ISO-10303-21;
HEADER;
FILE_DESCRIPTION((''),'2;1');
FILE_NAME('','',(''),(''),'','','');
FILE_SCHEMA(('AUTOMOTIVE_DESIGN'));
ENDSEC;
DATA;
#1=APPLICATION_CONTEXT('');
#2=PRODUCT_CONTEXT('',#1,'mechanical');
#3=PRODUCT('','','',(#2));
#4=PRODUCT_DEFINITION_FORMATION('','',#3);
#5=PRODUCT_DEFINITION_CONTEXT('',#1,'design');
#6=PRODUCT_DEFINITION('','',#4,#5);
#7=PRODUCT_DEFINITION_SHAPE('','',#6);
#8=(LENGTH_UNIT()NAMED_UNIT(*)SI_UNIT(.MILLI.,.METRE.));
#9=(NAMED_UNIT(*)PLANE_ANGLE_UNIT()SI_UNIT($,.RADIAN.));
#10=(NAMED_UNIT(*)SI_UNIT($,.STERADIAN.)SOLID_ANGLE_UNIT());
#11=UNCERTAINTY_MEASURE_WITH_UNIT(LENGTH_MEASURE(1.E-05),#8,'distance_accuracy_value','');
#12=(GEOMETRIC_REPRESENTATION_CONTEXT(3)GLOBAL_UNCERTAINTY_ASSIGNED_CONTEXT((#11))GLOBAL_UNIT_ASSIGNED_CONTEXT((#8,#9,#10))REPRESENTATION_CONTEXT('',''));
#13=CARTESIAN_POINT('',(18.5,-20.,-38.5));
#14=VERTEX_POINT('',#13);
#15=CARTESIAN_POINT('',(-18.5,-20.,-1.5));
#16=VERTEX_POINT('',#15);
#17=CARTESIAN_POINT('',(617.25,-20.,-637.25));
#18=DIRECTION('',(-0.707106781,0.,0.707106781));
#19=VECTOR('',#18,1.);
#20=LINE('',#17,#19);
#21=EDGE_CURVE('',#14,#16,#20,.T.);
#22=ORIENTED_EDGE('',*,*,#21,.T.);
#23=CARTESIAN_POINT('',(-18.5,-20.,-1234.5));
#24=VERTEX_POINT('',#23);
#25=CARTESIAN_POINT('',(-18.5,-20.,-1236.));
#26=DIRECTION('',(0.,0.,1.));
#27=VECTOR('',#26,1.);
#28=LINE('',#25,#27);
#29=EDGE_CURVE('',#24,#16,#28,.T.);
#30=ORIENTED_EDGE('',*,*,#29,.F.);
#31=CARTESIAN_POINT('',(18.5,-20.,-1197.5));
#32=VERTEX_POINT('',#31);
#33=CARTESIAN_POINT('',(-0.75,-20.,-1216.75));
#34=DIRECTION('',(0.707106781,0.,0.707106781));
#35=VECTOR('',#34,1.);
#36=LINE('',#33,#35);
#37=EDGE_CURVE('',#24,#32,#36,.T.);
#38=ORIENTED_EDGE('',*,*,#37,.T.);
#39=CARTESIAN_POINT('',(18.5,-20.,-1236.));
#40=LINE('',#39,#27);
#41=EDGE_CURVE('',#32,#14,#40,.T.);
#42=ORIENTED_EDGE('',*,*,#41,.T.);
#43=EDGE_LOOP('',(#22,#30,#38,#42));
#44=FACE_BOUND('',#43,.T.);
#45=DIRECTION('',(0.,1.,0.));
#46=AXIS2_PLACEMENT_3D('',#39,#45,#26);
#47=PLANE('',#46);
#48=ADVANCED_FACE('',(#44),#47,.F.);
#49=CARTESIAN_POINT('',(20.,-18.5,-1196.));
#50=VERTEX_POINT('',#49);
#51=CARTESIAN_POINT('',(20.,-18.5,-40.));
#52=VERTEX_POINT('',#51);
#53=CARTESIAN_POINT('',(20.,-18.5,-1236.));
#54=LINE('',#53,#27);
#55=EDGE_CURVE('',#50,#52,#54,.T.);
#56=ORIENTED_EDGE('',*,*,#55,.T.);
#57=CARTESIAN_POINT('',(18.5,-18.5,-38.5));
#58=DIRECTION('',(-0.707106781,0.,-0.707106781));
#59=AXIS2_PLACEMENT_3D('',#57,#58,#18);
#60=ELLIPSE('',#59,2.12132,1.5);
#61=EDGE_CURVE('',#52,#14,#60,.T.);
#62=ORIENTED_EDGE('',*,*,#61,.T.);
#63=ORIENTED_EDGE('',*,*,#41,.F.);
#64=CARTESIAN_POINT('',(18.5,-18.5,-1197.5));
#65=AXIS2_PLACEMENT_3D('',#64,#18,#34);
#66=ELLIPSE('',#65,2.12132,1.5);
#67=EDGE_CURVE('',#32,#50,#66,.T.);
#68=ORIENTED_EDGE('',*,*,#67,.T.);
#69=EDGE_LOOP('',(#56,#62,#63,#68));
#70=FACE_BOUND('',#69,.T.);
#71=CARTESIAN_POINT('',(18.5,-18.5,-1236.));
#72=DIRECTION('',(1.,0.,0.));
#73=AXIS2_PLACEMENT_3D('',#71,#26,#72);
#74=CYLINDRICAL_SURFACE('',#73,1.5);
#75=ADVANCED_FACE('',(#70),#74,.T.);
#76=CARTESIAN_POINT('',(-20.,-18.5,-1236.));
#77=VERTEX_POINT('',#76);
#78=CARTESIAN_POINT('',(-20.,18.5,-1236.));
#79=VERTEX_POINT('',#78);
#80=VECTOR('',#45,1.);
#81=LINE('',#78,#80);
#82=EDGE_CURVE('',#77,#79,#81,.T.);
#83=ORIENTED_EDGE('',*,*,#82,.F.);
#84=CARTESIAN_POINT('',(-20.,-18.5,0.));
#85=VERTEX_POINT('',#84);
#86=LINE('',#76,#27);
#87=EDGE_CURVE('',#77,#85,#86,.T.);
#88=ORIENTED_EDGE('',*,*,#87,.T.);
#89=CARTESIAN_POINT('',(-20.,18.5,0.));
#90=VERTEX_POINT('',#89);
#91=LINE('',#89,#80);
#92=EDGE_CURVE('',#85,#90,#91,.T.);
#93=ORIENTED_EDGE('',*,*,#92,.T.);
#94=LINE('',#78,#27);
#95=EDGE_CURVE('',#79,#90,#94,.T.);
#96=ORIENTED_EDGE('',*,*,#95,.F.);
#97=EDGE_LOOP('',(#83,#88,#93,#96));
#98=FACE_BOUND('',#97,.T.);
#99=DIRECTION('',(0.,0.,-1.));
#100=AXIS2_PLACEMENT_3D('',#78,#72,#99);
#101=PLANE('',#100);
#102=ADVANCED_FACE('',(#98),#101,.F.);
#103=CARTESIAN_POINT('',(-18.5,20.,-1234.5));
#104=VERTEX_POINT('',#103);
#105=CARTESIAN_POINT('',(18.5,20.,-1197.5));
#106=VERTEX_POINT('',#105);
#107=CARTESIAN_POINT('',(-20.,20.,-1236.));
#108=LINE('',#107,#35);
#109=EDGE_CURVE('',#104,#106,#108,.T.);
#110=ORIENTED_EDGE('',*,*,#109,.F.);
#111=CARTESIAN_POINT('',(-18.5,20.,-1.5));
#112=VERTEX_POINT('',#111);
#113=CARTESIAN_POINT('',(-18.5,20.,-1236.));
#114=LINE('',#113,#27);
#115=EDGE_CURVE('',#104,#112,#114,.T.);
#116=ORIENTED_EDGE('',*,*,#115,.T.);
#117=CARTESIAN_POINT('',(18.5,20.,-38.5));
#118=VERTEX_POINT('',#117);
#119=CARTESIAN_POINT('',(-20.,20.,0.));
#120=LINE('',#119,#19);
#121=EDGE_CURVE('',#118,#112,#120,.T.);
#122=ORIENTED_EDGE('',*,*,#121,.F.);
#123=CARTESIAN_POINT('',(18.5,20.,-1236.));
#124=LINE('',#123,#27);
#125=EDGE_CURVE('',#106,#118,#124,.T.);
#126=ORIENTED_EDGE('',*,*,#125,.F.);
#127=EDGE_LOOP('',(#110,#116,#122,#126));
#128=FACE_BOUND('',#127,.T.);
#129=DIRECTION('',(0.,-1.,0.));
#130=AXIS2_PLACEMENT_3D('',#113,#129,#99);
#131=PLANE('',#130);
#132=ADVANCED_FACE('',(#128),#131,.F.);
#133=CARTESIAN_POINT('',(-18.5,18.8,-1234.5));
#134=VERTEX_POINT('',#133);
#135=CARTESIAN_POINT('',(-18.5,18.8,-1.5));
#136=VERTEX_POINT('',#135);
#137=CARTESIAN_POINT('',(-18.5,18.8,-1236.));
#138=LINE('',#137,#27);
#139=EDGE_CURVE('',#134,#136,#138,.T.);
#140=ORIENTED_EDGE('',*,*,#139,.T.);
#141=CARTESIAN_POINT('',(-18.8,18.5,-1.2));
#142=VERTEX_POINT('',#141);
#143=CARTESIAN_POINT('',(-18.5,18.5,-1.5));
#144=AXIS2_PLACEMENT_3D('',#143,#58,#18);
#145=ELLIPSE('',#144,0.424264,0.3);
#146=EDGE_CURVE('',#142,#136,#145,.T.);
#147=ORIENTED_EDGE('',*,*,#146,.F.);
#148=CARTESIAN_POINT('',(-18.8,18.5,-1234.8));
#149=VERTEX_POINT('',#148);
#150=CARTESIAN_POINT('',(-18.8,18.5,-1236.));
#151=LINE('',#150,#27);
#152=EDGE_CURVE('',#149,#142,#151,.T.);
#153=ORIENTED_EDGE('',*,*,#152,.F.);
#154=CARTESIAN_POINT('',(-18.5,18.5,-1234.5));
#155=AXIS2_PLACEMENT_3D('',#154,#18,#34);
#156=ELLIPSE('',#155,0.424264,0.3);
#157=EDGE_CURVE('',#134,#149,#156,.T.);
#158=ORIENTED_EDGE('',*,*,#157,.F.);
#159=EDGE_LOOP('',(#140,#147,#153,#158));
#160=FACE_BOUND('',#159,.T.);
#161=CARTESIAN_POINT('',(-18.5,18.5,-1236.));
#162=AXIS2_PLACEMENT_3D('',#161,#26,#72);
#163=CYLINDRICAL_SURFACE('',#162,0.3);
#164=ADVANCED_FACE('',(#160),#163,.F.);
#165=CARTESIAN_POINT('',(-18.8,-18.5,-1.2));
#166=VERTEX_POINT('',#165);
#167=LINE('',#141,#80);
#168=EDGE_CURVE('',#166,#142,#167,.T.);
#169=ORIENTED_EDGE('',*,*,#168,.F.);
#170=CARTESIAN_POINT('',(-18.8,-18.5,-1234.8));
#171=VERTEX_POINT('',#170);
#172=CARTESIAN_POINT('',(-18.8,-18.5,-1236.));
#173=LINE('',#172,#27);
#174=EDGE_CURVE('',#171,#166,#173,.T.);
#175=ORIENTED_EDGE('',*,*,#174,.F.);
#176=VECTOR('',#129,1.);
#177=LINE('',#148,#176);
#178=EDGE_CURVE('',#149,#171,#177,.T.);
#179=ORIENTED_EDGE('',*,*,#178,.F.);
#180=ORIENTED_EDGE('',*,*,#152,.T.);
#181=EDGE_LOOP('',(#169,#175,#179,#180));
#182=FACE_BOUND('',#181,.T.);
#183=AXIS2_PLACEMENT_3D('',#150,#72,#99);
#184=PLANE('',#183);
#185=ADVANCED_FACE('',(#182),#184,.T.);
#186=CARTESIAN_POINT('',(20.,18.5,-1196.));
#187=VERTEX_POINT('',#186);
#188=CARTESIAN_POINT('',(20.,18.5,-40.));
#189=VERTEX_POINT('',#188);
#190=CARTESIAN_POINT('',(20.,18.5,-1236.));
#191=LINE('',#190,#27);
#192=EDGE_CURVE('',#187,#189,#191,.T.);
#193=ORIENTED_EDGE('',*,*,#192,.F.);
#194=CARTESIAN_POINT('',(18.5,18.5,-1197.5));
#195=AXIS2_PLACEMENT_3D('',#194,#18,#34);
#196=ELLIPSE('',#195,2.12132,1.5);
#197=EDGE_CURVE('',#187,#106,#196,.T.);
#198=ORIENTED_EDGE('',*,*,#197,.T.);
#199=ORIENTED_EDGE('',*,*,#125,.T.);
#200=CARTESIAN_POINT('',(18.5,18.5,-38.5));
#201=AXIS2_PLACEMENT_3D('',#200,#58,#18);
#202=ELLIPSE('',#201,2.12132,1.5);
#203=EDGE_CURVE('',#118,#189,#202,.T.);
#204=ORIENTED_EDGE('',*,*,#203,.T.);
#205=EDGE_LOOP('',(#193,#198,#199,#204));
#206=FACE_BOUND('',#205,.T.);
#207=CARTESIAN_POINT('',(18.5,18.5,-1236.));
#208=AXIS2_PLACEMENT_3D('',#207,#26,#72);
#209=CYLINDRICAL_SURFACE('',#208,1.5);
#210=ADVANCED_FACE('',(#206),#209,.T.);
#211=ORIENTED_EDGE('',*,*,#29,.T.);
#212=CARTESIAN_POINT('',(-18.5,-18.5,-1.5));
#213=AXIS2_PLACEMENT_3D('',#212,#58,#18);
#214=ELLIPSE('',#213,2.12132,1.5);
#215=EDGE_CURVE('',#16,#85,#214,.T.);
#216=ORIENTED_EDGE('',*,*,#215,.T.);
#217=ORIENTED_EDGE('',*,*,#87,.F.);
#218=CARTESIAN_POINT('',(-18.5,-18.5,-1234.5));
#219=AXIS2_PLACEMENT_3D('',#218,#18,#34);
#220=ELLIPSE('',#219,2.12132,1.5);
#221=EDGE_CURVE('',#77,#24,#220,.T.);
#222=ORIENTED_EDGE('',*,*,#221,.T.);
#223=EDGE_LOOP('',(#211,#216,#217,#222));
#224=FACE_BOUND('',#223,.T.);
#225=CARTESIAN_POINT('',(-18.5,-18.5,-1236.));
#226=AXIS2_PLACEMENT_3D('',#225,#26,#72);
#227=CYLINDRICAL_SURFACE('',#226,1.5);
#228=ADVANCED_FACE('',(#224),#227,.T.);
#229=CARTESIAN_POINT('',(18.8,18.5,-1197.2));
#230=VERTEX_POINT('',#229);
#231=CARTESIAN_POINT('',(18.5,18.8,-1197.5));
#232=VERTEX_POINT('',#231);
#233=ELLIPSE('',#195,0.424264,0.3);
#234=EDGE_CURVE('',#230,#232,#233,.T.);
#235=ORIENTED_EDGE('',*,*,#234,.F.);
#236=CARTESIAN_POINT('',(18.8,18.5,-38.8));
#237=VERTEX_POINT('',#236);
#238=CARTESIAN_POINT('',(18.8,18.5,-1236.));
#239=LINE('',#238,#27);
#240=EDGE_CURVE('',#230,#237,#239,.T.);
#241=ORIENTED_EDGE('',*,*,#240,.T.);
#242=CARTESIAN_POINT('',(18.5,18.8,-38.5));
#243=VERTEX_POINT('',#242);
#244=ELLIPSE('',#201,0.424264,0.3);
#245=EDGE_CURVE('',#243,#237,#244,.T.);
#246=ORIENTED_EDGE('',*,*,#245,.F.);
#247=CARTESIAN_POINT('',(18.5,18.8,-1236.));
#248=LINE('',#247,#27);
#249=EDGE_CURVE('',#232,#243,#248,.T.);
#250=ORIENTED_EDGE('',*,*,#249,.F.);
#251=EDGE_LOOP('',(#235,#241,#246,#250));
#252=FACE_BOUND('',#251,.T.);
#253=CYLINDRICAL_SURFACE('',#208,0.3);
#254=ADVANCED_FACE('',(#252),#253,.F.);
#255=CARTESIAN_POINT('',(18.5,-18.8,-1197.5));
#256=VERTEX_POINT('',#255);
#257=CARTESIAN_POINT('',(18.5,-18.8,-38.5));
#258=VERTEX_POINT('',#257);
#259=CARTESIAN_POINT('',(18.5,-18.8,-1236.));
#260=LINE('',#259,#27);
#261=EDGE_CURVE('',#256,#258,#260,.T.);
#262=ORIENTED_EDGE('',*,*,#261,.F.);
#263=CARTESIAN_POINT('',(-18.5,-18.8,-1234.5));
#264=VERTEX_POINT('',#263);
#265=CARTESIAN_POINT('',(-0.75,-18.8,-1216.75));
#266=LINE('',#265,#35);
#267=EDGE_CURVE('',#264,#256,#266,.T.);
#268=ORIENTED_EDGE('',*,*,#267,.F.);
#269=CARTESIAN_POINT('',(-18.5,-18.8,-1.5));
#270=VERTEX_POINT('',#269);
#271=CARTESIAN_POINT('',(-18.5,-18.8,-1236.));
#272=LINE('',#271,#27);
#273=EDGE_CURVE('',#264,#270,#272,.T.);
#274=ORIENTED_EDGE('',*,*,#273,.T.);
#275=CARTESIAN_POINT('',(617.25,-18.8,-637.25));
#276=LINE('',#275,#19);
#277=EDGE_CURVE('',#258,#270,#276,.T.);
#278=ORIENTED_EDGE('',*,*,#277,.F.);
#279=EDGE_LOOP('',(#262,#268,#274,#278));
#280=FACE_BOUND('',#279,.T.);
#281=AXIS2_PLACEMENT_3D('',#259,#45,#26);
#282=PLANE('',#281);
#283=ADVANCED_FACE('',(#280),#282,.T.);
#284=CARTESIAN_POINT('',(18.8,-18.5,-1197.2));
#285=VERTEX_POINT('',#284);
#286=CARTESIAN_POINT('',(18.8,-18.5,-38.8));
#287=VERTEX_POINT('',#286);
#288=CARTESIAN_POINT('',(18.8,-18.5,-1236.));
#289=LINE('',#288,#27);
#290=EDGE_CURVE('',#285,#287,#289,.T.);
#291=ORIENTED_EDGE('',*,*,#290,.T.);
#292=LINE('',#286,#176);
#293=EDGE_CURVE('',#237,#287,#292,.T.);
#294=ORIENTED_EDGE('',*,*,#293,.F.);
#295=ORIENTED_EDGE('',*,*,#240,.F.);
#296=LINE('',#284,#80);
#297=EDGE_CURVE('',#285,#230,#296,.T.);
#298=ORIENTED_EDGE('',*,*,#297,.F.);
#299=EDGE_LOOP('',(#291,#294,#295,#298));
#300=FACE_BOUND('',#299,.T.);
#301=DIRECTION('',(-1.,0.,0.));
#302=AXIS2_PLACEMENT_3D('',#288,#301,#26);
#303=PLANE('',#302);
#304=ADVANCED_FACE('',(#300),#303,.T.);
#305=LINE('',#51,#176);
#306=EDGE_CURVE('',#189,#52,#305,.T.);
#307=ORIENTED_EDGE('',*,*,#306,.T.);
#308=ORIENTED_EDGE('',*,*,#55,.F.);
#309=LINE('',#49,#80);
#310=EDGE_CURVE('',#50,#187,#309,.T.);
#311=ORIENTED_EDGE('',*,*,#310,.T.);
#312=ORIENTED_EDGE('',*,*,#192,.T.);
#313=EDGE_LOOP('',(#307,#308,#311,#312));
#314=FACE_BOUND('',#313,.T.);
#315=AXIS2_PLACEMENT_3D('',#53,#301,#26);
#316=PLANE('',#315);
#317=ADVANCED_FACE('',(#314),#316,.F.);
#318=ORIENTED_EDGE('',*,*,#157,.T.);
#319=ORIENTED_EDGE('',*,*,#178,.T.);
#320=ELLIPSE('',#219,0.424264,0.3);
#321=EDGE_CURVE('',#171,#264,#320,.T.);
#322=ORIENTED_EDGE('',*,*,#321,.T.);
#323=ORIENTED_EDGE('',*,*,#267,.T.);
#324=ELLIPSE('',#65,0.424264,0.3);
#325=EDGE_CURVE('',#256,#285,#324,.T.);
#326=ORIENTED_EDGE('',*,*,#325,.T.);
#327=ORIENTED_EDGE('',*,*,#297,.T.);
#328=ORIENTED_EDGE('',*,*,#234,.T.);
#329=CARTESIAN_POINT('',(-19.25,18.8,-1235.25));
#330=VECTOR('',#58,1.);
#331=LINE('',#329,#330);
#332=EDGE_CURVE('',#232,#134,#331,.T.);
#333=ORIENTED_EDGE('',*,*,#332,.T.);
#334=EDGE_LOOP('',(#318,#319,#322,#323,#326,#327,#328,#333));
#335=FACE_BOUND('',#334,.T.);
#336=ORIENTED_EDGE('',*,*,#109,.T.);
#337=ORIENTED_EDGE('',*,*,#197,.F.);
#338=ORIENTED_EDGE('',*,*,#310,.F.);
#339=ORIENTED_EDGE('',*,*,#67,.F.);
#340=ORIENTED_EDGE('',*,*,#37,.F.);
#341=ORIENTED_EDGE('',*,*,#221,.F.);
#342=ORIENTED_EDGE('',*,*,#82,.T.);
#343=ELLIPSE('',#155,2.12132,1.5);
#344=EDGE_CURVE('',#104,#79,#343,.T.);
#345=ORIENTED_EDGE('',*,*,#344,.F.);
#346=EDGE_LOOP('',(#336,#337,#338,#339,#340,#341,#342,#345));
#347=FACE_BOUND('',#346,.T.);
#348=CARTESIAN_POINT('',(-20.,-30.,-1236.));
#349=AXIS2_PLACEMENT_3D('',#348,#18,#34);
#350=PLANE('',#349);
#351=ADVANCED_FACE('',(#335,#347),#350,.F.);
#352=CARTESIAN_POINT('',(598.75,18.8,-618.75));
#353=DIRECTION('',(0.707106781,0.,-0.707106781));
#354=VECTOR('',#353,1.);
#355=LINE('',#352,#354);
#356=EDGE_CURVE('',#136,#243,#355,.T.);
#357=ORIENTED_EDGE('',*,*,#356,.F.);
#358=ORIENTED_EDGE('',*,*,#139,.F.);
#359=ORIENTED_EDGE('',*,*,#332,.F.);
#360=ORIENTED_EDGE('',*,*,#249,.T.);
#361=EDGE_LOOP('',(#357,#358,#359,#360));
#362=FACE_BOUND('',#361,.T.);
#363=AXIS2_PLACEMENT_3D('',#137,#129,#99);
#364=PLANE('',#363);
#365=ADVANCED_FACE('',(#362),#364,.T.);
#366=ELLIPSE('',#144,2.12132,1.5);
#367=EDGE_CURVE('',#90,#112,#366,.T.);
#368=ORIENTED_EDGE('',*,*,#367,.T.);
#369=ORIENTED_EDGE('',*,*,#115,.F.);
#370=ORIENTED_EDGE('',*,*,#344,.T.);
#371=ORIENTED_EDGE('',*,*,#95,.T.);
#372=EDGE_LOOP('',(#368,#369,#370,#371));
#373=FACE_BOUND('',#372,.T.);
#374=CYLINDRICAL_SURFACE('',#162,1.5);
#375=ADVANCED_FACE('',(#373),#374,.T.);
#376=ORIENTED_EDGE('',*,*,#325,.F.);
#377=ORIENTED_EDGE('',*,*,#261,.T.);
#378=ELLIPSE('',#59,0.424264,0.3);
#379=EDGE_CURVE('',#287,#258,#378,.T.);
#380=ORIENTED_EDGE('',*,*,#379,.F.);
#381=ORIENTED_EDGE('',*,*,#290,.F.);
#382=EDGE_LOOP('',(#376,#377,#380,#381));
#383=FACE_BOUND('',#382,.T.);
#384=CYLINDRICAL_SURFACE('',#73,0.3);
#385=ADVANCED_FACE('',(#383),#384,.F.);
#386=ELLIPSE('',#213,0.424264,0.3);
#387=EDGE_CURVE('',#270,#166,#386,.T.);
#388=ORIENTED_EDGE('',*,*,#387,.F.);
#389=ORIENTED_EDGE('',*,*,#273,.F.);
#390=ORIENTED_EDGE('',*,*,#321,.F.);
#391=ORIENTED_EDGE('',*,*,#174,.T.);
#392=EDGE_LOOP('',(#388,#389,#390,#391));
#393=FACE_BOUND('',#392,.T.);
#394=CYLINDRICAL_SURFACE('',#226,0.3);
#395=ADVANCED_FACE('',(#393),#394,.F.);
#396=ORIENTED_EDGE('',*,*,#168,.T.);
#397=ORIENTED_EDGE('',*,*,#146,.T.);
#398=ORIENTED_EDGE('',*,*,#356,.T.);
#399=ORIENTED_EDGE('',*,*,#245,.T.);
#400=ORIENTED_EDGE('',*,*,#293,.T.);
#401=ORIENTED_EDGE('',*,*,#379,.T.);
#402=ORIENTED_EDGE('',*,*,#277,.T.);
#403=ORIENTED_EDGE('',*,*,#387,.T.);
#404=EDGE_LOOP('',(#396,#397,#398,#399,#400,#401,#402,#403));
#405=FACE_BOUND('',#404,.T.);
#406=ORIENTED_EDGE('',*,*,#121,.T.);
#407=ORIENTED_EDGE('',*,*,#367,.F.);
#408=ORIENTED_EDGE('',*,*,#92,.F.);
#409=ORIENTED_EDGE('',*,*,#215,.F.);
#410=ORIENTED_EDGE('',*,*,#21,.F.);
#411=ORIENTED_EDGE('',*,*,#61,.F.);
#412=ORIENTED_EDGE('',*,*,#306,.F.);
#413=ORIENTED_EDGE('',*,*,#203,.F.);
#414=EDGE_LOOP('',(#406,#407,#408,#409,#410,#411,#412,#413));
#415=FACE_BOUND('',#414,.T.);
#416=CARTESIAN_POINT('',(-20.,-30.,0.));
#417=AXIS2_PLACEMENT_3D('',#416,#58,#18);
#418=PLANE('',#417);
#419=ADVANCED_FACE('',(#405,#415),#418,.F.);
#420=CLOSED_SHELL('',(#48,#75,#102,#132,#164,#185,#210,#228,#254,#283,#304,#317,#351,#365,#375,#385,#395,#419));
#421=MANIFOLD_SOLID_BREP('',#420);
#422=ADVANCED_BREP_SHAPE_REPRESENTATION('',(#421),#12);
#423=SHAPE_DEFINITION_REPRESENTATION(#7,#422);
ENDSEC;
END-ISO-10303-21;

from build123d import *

# Parameters (mm, degrees)
STRUCTURAL_MEMBER1_DEPTH = 1236
CUT_EXTRUDE1_DEPTH       = 50


with BuildPart() as part:
    # Sketch12 → Structural Member1 (new body)
    with BuildSketch(Plane(origin=(0, 0, 0), x_dir=(-1, 0, 0), z_dir=(0, 0, -1))):
        with BuildLine():
            Line((-18.5, -20), (18.5, -20))
            ThreePointArc((18.5, -20), (19.560660172, -19.560660172), (20, -18.5))
            Line((20, -18.5), (20, 18.5))
            ThreePointArc((20, 18.5), (19.560660172, 19.560660172), (18.5, 20))
            Line((18.5, 20), (-18.5, 20))
            ThreePointArc((-18.5, 20), (-19.560660172, 19.560660172), (-20, 18.5))
            Line((-20, 18.5), (-20, -18.5))
            ThreePointArc((-20, -18.5), (-19.560660172, -19.560660172), (-18.5, -20))
        make_face()
        with BuildLine():
            Line((-18.5, -18.8), (18.5, -18.8))
            ThreePointArc((18.5, -18.8), (18.712132034, -18.712132034), (18.8, -18.5))
            Line((18.8, -18.5), (18.8, 18.5))
            ThreePointArc((18.8, 18.5), (18.712132034, 18.712132034), (18.5, 18.8))
            Line((18.5, 18.8), (-18.5, 18.8))
            ThreePointArc((-18.5, 18.8), (-18.712132034, 18.712132034), (-18.8, 18.5))
            Line((-18.8, 18.5), (-18.8, -18.5))
            ThreePointArc((-18.8, -18.5), (-18.712132034, -18.712132034), (-18.5, -18.8))
        make_face(mode=Mode.SUBTRACT)
    extrude(amount=STRUCTURAL_MEMBER1_DEPTH)

    # Sketch13 → Cut-Extrude1 (cut)
    with BuildSketch(Plane(origin=(0, 20, 0), x_dir=(1, 0, 0), z_dir=(0, 1, 0))):
        Polygon((-20, 1236), (33.292001776, 1182.707998224), (17.414648523, 1269.864771323), align=None)
        Polygon((17.414648523, -33.864771323), (-20, 0), (33.292001776, 53.292001776), align=None)
    extrude(amount=-CUT_EXTRUDE1_DEPTH, mode=Mode.SUBTRACT)


solid = part.part
